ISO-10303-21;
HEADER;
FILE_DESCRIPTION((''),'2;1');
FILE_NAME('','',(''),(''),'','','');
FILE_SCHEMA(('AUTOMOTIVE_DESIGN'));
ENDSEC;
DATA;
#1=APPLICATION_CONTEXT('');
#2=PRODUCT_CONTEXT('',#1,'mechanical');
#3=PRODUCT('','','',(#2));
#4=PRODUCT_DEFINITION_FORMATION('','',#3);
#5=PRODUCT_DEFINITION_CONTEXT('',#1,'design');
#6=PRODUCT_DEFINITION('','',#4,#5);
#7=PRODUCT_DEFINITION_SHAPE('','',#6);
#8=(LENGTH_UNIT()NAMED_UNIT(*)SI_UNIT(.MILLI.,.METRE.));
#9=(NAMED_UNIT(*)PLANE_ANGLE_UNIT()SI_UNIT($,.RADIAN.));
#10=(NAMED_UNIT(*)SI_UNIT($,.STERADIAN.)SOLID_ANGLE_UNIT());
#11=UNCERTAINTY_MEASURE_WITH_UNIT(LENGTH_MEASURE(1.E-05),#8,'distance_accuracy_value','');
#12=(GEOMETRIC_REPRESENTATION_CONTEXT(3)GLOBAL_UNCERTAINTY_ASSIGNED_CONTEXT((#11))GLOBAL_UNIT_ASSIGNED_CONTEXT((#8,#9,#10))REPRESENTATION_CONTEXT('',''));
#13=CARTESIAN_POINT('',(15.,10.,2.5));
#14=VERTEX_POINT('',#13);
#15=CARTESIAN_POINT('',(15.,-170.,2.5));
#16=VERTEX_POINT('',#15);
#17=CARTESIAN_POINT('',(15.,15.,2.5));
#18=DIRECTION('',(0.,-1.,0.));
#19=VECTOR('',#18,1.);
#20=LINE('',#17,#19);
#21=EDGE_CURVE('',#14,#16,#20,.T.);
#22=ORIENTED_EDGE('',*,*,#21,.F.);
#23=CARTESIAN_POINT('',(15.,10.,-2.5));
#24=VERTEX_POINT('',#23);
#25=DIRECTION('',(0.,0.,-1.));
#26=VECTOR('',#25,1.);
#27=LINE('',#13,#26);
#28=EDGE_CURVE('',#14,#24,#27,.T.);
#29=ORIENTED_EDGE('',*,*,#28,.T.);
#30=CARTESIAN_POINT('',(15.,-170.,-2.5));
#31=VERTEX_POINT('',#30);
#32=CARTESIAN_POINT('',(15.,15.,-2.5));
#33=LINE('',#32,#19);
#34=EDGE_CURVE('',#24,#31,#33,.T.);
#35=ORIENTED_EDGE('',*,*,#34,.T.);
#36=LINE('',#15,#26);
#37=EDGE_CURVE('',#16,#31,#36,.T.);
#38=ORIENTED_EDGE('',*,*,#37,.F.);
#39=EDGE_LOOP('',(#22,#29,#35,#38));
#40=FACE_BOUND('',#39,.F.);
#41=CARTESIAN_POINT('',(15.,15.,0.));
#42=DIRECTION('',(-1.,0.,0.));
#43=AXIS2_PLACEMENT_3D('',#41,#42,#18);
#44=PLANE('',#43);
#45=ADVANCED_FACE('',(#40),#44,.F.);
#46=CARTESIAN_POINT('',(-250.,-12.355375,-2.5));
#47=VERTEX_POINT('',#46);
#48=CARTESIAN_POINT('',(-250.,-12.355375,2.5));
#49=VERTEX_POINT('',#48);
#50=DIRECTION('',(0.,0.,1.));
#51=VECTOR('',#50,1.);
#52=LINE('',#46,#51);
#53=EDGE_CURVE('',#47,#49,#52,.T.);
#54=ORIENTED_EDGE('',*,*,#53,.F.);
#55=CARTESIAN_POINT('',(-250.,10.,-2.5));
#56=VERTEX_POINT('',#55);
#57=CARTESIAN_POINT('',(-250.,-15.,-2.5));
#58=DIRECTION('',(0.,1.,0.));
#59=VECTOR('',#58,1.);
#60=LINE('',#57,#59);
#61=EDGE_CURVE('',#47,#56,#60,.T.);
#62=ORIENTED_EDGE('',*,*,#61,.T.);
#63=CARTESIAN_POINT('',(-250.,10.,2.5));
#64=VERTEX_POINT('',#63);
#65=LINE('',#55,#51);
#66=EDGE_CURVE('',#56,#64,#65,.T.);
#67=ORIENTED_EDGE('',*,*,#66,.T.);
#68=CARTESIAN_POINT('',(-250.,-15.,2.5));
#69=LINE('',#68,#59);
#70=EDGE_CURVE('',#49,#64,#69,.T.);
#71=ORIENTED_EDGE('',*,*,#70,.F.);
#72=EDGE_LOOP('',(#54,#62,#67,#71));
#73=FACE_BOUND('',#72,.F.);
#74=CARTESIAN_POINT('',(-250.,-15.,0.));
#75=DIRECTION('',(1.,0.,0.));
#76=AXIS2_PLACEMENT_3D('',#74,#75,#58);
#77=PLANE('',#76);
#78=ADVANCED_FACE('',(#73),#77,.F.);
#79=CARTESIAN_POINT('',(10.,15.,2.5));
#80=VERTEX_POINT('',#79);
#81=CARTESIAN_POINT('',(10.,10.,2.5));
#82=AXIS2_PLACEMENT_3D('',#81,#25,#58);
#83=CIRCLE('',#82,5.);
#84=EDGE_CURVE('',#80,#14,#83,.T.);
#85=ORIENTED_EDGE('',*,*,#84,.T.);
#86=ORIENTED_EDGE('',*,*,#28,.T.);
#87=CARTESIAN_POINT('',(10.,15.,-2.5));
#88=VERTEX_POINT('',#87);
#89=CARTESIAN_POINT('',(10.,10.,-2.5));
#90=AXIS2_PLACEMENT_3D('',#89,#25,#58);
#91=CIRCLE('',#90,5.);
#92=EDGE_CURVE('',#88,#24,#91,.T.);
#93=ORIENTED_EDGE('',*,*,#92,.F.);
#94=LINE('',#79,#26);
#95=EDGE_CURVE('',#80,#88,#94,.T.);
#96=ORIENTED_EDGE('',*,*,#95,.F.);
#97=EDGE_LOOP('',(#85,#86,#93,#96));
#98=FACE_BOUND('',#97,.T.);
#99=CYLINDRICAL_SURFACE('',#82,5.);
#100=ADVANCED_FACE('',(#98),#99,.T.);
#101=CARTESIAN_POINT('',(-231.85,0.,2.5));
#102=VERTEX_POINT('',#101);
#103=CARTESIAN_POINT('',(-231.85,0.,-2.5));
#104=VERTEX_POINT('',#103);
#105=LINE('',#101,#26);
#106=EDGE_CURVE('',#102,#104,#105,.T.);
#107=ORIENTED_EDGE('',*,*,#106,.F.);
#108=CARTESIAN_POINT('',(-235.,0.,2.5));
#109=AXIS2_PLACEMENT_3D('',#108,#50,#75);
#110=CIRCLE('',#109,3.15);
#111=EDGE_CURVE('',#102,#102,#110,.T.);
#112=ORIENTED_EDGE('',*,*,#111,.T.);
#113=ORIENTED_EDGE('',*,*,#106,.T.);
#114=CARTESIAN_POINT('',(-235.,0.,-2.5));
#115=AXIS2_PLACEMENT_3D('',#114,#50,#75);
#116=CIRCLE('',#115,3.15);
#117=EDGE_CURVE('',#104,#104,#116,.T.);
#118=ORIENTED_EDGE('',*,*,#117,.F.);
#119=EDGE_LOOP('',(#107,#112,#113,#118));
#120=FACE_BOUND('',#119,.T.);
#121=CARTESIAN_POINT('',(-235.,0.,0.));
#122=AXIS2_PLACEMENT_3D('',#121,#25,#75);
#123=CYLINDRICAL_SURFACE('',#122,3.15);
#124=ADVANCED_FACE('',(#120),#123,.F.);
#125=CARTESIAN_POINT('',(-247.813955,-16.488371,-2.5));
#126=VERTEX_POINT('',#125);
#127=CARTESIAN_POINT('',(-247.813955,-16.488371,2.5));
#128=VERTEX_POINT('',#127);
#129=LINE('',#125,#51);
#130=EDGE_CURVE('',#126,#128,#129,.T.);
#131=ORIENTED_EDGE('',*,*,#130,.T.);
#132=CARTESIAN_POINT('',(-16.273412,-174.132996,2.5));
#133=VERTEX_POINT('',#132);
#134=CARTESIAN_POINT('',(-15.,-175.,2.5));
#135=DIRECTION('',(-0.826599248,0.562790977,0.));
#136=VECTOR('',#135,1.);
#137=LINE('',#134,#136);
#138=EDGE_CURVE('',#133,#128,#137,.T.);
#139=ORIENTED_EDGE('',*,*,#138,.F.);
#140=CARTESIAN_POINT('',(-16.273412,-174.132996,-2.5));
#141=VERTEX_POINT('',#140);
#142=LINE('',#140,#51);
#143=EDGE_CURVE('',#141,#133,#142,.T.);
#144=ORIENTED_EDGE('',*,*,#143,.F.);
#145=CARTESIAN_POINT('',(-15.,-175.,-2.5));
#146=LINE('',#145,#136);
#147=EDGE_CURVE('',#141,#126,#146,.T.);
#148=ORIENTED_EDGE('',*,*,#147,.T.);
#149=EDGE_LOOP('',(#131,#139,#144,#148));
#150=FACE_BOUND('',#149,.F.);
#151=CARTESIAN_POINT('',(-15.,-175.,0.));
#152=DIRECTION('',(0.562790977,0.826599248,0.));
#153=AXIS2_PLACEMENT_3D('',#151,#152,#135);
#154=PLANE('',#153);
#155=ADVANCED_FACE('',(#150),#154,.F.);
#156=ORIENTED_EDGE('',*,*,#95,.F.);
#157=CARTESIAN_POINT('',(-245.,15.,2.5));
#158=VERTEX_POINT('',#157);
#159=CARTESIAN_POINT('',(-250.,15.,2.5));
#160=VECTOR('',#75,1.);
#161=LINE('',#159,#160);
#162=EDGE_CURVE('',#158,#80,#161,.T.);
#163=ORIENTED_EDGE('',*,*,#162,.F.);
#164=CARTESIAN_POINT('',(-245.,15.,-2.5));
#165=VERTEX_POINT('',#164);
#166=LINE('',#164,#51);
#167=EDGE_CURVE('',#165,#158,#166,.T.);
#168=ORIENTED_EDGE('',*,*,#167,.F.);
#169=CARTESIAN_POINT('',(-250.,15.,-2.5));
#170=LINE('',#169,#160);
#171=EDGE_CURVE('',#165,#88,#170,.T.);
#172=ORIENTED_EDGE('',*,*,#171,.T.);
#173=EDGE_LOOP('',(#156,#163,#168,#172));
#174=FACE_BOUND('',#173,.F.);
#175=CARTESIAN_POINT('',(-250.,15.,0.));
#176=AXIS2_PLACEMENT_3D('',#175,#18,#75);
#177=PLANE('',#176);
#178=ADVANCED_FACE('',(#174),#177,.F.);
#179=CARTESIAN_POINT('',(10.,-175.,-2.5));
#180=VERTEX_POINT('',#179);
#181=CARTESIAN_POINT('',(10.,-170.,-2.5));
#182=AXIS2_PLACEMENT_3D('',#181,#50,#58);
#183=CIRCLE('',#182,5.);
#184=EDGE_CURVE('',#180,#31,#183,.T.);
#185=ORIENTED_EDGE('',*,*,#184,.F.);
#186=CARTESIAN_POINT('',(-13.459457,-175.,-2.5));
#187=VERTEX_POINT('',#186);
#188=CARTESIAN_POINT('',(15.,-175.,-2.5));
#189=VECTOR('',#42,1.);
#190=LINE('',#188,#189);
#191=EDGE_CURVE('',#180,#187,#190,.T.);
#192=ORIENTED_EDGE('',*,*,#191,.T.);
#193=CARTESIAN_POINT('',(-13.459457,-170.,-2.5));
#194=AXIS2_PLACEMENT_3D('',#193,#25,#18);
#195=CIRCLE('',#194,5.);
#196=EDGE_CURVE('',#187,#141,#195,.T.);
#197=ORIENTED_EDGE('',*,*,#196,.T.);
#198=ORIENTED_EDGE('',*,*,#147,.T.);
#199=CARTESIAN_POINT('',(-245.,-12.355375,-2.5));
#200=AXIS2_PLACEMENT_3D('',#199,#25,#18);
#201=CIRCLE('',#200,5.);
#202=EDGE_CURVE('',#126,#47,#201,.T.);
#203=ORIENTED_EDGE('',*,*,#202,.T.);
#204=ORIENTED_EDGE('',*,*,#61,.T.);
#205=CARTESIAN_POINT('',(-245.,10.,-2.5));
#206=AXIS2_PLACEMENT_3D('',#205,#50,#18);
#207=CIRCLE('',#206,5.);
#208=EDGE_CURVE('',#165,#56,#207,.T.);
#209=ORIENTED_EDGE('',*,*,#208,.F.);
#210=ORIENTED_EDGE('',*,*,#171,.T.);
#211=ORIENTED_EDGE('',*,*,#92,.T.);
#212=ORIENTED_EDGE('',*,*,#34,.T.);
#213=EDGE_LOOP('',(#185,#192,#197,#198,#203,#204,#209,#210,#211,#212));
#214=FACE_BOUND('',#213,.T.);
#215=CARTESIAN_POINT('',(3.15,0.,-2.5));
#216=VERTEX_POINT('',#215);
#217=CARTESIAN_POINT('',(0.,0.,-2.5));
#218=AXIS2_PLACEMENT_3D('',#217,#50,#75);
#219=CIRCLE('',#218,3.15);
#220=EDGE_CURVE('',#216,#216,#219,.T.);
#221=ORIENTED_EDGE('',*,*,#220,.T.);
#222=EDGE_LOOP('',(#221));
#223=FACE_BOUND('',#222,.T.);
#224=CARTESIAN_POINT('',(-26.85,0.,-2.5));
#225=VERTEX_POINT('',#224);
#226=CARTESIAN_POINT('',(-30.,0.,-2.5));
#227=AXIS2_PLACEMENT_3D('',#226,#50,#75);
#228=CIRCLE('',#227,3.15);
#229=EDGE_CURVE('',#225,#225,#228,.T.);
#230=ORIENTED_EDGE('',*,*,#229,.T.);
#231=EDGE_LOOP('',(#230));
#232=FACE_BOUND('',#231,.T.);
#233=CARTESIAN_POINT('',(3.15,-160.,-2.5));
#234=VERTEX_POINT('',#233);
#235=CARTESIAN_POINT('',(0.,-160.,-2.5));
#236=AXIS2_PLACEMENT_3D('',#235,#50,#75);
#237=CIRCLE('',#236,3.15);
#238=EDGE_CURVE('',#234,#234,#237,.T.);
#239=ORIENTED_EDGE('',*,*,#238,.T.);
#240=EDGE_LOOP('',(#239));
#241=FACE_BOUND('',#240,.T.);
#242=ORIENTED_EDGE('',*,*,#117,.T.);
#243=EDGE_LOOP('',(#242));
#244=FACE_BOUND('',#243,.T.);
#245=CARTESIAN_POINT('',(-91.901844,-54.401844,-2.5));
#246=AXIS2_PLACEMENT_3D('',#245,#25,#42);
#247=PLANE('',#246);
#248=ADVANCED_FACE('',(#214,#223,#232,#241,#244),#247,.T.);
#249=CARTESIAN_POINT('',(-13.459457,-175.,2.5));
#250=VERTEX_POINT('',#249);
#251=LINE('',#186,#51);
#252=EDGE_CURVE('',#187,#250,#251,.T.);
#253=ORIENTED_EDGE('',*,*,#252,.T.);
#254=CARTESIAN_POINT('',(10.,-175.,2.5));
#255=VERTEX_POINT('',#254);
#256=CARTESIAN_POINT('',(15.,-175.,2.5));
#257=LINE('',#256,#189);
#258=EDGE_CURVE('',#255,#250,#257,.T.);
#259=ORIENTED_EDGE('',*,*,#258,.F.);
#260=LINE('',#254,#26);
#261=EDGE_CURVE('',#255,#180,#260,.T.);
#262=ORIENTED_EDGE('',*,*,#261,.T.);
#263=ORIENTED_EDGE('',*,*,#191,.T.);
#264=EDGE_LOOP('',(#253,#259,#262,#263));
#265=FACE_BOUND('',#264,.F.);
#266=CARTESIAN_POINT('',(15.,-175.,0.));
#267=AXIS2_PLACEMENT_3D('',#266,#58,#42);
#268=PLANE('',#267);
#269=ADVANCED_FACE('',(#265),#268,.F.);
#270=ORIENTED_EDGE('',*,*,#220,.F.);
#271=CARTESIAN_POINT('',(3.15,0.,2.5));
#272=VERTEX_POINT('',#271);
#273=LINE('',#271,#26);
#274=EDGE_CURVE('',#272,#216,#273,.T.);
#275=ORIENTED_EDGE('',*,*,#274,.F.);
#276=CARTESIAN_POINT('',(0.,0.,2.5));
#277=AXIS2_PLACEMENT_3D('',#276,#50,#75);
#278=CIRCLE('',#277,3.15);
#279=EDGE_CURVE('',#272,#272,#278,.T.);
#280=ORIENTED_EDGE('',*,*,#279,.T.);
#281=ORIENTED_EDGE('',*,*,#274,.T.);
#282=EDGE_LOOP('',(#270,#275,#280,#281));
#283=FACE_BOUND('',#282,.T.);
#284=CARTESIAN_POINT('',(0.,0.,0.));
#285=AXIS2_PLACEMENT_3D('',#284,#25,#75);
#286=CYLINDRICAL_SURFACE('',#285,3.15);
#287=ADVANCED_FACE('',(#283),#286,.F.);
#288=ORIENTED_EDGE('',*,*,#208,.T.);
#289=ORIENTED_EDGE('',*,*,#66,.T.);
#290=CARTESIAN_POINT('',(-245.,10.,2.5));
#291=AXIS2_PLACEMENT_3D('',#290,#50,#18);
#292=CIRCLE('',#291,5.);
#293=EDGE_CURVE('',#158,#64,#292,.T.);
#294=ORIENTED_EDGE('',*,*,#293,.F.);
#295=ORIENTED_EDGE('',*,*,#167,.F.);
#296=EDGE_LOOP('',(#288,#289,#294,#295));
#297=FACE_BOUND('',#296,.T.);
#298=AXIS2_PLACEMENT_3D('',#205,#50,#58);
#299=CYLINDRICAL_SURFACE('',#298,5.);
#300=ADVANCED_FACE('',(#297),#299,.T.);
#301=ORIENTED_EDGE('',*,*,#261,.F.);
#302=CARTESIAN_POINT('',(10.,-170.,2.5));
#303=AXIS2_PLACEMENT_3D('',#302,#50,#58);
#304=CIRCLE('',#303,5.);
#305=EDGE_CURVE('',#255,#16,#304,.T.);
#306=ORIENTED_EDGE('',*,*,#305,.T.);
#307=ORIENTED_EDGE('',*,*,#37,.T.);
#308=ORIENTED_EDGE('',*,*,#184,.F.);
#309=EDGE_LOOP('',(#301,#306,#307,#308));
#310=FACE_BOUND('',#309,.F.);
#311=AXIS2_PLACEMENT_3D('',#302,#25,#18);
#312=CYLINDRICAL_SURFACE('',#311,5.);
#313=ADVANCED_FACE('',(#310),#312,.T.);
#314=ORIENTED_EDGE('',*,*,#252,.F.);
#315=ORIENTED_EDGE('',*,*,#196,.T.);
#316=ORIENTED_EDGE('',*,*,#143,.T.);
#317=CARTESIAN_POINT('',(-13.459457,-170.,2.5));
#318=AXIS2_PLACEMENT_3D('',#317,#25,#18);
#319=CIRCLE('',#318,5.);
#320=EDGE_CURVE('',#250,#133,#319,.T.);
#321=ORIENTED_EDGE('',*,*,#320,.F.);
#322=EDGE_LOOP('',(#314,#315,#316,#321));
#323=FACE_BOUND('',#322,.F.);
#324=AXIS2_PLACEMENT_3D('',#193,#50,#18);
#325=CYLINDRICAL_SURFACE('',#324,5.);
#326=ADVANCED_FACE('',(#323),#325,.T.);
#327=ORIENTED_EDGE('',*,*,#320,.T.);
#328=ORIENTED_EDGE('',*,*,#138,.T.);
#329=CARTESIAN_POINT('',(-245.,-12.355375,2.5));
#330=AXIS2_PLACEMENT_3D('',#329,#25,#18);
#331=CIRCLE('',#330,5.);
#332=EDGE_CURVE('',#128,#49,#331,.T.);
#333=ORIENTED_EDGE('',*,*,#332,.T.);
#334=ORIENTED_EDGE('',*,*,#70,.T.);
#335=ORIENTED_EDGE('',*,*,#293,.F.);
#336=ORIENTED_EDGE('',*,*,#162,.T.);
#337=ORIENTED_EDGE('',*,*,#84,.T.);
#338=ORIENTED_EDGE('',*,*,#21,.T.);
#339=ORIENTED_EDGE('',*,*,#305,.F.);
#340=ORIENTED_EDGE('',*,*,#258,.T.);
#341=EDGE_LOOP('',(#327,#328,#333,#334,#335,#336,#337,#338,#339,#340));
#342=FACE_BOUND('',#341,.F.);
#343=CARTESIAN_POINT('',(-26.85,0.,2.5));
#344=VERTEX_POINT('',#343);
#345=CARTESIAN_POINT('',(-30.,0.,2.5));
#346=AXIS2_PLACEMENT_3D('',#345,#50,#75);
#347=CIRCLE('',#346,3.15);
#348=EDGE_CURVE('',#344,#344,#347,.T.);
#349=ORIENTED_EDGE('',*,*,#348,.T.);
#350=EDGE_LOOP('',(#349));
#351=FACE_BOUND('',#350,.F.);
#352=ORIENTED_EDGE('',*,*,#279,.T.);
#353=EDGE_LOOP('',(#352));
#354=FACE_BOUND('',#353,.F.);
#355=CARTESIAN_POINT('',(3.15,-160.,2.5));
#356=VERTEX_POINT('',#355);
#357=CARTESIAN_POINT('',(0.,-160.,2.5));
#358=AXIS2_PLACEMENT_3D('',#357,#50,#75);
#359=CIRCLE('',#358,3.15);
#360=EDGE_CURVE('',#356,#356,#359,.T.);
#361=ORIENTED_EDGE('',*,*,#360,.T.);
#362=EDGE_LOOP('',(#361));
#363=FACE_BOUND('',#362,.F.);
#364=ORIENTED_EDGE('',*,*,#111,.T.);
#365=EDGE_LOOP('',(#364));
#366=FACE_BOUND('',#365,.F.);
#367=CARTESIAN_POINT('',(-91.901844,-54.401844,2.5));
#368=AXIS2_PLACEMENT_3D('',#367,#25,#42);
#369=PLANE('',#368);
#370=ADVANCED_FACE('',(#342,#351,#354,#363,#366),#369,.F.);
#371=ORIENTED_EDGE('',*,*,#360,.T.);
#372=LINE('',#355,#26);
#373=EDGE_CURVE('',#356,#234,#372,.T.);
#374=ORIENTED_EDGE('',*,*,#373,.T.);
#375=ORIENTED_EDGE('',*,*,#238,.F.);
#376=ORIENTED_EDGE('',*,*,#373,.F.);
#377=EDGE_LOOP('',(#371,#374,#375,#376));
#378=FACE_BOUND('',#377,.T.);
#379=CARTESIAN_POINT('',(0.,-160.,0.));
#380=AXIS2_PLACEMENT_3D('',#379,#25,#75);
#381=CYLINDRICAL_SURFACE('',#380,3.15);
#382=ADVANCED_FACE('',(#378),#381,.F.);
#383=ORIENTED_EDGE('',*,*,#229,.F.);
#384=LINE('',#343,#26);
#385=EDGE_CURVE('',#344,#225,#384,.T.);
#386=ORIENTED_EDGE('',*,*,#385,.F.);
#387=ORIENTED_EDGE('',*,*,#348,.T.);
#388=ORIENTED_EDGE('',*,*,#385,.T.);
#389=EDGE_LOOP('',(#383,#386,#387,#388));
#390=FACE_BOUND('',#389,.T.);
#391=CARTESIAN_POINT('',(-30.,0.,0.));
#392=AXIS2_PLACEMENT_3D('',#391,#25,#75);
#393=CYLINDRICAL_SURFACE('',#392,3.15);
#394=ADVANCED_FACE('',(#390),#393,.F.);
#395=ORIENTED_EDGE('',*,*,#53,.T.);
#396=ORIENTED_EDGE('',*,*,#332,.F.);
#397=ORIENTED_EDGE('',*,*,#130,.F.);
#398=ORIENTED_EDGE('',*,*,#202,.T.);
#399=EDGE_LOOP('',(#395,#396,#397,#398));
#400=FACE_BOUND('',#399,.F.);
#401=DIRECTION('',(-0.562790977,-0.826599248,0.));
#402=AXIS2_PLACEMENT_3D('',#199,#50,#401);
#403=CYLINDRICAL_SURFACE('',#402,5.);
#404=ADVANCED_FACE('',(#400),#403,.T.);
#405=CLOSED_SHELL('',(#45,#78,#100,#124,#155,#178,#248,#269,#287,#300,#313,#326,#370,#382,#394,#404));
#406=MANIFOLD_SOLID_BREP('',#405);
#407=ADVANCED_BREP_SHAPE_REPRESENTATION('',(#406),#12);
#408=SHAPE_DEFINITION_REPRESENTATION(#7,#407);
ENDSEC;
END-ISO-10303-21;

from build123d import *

# Parameters (mm, degrees)
SKETCH_R  = 3.15
PAD_DEPTH = 2.5
FILLET_R  = 5


with BuildPart() as part:
    # Sketch → Pad (new body, symmetric)
    with BuildSketch(Plane.XY):
        Polygon((-250, 15), (15, 15), (15, -175), (-15, -175), (-250, -15), align=None)
        Circle(SKETCH_R, mode=Mode.SUBTRACT)
        with Locations((0, -160)):
            Circle(SKETCH_R, mode=Mode.SUBTRACT)
        with Locations((-30, 0)):
            Circle(SKETCH_R, mode=Mode.SUBTRACT)
        with Locations((-235, 0)):
            Circle(SKETCH_R, mode=Mode.SUBTRACT)
    extrude(amount=PAD_DEPTH, both=True)

    # Fillet
    fillet_edges = [part.edges().sort_by_distance(p)[0] for p in [
        (-250, 15, 0),
        (-250, -15, 0),
        (15, 15, 0),
        (-15, -175, 0),
        (15, -175, 0),
    ]]
    fillet(fillet_edges, radius=FILLET_R)


solid = part.part
